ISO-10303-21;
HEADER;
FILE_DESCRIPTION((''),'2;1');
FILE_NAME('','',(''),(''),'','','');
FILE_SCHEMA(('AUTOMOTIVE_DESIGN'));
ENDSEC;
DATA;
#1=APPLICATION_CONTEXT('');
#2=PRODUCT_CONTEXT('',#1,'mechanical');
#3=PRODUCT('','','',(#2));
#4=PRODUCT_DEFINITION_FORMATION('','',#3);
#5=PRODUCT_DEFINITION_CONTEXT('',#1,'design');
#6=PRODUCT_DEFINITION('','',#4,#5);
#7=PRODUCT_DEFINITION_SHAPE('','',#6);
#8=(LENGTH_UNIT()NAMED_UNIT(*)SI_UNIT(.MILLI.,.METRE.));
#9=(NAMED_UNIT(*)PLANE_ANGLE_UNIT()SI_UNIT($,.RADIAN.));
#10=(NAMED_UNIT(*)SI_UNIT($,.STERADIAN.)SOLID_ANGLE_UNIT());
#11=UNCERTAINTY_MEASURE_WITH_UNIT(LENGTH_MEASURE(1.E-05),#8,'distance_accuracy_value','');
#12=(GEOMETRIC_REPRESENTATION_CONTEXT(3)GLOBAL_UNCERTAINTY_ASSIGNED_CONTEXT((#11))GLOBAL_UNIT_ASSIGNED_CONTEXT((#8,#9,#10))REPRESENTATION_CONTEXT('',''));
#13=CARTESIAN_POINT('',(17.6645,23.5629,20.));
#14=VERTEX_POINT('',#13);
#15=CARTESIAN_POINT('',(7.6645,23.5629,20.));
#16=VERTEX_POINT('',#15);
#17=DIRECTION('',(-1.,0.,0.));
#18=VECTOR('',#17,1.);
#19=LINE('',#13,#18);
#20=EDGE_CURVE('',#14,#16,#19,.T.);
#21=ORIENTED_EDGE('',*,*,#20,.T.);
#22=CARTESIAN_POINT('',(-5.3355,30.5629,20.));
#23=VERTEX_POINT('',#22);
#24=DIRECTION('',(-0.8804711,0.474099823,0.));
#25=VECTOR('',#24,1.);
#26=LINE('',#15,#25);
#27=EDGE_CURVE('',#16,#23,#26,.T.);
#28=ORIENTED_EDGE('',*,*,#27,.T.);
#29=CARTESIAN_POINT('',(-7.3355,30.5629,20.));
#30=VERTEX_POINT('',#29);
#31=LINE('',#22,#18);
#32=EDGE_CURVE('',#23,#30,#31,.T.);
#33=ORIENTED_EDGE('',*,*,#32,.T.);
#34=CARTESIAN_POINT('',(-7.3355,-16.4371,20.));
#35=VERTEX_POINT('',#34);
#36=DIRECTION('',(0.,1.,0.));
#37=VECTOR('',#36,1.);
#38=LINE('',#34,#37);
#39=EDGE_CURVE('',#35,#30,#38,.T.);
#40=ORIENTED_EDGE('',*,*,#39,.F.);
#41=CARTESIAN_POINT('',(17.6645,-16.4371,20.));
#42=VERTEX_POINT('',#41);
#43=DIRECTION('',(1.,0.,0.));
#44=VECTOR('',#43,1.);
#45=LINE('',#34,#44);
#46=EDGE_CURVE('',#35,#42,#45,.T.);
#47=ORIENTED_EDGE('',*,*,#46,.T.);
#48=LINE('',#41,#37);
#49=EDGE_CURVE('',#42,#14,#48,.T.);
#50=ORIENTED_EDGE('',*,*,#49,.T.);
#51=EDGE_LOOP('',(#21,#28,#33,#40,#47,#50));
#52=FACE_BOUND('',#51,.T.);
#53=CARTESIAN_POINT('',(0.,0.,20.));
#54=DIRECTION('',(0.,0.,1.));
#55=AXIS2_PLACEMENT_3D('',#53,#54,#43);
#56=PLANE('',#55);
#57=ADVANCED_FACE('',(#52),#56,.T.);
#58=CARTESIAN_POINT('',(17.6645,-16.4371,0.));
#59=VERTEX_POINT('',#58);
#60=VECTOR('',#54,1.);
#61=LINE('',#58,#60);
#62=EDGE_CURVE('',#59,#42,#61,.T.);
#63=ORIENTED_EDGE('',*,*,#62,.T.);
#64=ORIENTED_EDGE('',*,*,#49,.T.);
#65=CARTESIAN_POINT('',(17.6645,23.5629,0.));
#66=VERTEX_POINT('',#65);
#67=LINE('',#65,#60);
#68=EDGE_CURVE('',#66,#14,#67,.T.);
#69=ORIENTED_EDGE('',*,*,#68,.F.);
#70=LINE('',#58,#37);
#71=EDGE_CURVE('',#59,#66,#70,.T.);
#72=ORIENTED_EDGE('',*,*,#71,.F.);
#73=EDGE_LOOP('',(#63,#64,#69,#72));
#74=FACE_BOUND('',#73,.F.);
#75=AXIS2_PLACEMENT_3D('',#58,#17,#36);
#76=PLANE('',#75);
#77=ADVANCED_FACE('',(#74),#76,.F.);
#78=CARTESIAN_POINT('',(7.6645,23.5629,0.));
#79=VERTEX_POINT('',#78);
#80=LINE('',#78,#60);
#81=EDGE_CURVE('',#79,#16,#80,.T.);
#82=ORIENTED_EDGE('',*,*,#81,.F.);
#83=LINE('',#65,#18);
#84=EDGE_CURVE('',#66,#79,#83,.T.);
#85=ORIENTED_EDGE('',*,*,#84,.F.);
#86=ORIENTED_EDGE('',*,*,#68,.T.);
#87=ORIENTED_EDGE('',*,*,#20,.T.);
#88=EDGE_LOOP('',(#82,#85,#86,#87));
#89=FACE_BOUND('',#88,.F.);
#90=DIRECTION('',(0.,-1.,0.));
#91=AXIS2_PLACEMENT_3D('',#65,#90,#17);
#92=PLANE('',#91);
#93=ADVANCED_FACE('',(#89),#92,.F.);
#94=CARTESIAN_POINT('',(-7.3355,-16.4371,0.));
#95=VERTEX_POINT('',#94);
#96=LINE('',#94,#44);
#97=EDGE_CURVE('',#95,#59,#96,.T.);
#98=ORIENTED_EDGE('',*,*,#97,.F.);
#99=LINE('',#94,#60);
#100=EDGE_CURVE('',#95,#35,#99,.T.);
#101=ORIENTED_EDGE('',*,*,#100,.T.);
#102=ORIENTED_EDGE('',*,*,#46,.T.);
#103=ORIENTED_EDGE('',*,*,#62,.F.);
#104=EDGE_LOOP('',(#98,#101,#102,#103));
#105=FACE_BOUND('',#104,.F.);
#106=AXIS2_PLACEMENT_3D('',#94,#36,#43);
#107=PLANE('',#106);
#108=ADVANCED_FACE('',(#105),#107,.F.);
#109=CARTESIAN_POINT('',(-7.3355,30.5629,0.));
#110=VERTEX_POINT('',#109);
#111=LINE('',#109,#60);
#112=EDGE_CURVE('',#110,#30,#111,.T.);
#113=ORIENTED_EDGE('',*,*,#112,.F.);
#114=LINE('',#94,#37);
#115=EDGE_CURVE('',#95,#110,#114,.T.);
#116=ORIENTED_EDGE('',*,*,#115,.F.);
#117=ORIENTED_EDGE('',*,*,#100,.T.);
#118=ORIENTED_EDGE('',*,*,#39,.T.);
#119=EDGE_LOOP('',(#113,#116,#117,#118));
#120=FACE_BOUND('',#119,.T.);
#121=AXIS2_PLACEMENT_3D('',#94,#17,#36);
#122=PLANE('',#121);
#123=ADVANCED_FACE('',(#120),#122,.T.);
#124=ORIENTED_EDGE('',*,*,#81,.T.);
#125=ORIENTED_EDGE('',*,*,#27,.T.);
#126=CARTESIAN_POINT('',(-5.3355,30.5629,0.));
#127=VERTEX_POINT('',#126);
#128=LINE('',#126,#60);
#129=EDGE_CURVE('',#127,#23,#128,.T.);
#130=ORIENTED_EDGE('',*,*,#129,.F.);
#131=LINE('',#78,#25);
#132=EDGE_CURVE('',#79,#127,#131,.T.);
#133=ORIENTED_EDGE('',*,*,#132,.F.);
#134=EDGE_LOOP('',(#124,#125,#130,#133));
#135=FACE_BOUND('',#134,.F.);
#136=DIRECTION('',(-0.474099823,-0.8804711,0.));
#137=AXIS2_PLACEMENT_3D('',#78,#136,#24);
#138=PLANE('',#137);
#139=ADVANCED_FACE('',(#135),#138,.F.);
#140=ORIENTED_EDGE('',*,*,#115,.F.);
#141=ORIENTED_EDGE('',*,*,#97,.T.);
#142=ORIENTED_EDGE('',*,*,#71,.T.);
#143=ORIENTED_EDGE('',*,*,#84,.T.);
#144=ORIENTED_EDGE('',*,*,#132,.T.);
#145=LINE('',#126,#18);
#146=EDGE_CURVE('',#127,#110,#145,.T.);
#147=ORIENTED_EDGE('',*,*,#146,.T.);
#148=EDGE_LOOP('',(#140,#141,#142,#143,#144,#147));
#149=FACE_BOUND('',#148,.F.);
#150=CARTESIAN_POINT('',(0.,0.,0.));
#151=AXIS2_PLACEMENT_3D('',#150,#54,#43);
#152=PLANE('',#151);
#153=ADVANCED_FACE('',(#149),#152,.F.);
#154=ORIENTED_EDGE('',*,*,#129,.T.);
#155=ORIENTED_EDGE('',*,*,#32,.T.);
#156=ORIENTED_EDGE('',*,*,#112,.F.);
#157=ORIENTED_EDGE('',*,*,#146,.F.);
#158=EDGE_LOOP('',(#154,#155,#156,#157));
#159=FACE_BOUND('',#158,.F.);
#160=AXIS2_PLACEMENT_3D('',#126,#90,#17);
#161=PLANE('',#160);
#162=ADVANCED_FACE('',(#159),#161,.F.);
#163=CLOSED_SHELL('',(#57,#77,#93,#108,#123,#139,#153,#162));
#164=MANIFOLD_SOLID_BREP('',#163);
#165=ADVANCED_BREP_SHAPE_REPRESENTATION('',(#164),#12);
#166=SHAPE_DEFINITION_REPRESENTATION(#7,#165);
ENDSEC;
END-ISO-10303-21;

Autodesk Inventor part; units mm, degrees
ref_plane "YZ Plane" through (0, 0, 0) normal (1, 0, 0) x (0, 1, 0)
ref_plane "XZ Plane" through (0, 0, 0) normal (0, 1, 0) x (-1, 0, 0)
ref_plane "XY Plane" through (0, 0, 0) normal (0, 0, 1) x (1, 0, 0)
sketch "Sketch1" plane through (0, 0, 0) normal (0, 0, 1) x (1, 0, 0)
  line L0 (-7.3355, -16.4371) -> (17.6645, -16.4371)
  line L1 (17.6645, -16.4371) -> (17.6645, 23.5629)
  line L2 (-7.3355, -16.4371) -> (-7.3355, 30.5629)
  line L3 (17.6645, 23.5629) -> (7.6645, 23.5629)
  line L4 (7.6645, 23.5629) -> (-5.3355, 30.5629)
  line L5 (-5.3355, 30.5629) -> (-7.3355, 30.5629)
  point P0 (0, 0)
  dimension "d0" = 25
  dimension "d1" = 2
  dimension "d2" = 10
  dimension "d5" = 40
  dimension "d6" = 47
extrude "Extrusion1" add sketch "Sketch1" along normal blind 20
properties part number "3DP_PLA_Pick_up_tray" material "ABS Plastic"
